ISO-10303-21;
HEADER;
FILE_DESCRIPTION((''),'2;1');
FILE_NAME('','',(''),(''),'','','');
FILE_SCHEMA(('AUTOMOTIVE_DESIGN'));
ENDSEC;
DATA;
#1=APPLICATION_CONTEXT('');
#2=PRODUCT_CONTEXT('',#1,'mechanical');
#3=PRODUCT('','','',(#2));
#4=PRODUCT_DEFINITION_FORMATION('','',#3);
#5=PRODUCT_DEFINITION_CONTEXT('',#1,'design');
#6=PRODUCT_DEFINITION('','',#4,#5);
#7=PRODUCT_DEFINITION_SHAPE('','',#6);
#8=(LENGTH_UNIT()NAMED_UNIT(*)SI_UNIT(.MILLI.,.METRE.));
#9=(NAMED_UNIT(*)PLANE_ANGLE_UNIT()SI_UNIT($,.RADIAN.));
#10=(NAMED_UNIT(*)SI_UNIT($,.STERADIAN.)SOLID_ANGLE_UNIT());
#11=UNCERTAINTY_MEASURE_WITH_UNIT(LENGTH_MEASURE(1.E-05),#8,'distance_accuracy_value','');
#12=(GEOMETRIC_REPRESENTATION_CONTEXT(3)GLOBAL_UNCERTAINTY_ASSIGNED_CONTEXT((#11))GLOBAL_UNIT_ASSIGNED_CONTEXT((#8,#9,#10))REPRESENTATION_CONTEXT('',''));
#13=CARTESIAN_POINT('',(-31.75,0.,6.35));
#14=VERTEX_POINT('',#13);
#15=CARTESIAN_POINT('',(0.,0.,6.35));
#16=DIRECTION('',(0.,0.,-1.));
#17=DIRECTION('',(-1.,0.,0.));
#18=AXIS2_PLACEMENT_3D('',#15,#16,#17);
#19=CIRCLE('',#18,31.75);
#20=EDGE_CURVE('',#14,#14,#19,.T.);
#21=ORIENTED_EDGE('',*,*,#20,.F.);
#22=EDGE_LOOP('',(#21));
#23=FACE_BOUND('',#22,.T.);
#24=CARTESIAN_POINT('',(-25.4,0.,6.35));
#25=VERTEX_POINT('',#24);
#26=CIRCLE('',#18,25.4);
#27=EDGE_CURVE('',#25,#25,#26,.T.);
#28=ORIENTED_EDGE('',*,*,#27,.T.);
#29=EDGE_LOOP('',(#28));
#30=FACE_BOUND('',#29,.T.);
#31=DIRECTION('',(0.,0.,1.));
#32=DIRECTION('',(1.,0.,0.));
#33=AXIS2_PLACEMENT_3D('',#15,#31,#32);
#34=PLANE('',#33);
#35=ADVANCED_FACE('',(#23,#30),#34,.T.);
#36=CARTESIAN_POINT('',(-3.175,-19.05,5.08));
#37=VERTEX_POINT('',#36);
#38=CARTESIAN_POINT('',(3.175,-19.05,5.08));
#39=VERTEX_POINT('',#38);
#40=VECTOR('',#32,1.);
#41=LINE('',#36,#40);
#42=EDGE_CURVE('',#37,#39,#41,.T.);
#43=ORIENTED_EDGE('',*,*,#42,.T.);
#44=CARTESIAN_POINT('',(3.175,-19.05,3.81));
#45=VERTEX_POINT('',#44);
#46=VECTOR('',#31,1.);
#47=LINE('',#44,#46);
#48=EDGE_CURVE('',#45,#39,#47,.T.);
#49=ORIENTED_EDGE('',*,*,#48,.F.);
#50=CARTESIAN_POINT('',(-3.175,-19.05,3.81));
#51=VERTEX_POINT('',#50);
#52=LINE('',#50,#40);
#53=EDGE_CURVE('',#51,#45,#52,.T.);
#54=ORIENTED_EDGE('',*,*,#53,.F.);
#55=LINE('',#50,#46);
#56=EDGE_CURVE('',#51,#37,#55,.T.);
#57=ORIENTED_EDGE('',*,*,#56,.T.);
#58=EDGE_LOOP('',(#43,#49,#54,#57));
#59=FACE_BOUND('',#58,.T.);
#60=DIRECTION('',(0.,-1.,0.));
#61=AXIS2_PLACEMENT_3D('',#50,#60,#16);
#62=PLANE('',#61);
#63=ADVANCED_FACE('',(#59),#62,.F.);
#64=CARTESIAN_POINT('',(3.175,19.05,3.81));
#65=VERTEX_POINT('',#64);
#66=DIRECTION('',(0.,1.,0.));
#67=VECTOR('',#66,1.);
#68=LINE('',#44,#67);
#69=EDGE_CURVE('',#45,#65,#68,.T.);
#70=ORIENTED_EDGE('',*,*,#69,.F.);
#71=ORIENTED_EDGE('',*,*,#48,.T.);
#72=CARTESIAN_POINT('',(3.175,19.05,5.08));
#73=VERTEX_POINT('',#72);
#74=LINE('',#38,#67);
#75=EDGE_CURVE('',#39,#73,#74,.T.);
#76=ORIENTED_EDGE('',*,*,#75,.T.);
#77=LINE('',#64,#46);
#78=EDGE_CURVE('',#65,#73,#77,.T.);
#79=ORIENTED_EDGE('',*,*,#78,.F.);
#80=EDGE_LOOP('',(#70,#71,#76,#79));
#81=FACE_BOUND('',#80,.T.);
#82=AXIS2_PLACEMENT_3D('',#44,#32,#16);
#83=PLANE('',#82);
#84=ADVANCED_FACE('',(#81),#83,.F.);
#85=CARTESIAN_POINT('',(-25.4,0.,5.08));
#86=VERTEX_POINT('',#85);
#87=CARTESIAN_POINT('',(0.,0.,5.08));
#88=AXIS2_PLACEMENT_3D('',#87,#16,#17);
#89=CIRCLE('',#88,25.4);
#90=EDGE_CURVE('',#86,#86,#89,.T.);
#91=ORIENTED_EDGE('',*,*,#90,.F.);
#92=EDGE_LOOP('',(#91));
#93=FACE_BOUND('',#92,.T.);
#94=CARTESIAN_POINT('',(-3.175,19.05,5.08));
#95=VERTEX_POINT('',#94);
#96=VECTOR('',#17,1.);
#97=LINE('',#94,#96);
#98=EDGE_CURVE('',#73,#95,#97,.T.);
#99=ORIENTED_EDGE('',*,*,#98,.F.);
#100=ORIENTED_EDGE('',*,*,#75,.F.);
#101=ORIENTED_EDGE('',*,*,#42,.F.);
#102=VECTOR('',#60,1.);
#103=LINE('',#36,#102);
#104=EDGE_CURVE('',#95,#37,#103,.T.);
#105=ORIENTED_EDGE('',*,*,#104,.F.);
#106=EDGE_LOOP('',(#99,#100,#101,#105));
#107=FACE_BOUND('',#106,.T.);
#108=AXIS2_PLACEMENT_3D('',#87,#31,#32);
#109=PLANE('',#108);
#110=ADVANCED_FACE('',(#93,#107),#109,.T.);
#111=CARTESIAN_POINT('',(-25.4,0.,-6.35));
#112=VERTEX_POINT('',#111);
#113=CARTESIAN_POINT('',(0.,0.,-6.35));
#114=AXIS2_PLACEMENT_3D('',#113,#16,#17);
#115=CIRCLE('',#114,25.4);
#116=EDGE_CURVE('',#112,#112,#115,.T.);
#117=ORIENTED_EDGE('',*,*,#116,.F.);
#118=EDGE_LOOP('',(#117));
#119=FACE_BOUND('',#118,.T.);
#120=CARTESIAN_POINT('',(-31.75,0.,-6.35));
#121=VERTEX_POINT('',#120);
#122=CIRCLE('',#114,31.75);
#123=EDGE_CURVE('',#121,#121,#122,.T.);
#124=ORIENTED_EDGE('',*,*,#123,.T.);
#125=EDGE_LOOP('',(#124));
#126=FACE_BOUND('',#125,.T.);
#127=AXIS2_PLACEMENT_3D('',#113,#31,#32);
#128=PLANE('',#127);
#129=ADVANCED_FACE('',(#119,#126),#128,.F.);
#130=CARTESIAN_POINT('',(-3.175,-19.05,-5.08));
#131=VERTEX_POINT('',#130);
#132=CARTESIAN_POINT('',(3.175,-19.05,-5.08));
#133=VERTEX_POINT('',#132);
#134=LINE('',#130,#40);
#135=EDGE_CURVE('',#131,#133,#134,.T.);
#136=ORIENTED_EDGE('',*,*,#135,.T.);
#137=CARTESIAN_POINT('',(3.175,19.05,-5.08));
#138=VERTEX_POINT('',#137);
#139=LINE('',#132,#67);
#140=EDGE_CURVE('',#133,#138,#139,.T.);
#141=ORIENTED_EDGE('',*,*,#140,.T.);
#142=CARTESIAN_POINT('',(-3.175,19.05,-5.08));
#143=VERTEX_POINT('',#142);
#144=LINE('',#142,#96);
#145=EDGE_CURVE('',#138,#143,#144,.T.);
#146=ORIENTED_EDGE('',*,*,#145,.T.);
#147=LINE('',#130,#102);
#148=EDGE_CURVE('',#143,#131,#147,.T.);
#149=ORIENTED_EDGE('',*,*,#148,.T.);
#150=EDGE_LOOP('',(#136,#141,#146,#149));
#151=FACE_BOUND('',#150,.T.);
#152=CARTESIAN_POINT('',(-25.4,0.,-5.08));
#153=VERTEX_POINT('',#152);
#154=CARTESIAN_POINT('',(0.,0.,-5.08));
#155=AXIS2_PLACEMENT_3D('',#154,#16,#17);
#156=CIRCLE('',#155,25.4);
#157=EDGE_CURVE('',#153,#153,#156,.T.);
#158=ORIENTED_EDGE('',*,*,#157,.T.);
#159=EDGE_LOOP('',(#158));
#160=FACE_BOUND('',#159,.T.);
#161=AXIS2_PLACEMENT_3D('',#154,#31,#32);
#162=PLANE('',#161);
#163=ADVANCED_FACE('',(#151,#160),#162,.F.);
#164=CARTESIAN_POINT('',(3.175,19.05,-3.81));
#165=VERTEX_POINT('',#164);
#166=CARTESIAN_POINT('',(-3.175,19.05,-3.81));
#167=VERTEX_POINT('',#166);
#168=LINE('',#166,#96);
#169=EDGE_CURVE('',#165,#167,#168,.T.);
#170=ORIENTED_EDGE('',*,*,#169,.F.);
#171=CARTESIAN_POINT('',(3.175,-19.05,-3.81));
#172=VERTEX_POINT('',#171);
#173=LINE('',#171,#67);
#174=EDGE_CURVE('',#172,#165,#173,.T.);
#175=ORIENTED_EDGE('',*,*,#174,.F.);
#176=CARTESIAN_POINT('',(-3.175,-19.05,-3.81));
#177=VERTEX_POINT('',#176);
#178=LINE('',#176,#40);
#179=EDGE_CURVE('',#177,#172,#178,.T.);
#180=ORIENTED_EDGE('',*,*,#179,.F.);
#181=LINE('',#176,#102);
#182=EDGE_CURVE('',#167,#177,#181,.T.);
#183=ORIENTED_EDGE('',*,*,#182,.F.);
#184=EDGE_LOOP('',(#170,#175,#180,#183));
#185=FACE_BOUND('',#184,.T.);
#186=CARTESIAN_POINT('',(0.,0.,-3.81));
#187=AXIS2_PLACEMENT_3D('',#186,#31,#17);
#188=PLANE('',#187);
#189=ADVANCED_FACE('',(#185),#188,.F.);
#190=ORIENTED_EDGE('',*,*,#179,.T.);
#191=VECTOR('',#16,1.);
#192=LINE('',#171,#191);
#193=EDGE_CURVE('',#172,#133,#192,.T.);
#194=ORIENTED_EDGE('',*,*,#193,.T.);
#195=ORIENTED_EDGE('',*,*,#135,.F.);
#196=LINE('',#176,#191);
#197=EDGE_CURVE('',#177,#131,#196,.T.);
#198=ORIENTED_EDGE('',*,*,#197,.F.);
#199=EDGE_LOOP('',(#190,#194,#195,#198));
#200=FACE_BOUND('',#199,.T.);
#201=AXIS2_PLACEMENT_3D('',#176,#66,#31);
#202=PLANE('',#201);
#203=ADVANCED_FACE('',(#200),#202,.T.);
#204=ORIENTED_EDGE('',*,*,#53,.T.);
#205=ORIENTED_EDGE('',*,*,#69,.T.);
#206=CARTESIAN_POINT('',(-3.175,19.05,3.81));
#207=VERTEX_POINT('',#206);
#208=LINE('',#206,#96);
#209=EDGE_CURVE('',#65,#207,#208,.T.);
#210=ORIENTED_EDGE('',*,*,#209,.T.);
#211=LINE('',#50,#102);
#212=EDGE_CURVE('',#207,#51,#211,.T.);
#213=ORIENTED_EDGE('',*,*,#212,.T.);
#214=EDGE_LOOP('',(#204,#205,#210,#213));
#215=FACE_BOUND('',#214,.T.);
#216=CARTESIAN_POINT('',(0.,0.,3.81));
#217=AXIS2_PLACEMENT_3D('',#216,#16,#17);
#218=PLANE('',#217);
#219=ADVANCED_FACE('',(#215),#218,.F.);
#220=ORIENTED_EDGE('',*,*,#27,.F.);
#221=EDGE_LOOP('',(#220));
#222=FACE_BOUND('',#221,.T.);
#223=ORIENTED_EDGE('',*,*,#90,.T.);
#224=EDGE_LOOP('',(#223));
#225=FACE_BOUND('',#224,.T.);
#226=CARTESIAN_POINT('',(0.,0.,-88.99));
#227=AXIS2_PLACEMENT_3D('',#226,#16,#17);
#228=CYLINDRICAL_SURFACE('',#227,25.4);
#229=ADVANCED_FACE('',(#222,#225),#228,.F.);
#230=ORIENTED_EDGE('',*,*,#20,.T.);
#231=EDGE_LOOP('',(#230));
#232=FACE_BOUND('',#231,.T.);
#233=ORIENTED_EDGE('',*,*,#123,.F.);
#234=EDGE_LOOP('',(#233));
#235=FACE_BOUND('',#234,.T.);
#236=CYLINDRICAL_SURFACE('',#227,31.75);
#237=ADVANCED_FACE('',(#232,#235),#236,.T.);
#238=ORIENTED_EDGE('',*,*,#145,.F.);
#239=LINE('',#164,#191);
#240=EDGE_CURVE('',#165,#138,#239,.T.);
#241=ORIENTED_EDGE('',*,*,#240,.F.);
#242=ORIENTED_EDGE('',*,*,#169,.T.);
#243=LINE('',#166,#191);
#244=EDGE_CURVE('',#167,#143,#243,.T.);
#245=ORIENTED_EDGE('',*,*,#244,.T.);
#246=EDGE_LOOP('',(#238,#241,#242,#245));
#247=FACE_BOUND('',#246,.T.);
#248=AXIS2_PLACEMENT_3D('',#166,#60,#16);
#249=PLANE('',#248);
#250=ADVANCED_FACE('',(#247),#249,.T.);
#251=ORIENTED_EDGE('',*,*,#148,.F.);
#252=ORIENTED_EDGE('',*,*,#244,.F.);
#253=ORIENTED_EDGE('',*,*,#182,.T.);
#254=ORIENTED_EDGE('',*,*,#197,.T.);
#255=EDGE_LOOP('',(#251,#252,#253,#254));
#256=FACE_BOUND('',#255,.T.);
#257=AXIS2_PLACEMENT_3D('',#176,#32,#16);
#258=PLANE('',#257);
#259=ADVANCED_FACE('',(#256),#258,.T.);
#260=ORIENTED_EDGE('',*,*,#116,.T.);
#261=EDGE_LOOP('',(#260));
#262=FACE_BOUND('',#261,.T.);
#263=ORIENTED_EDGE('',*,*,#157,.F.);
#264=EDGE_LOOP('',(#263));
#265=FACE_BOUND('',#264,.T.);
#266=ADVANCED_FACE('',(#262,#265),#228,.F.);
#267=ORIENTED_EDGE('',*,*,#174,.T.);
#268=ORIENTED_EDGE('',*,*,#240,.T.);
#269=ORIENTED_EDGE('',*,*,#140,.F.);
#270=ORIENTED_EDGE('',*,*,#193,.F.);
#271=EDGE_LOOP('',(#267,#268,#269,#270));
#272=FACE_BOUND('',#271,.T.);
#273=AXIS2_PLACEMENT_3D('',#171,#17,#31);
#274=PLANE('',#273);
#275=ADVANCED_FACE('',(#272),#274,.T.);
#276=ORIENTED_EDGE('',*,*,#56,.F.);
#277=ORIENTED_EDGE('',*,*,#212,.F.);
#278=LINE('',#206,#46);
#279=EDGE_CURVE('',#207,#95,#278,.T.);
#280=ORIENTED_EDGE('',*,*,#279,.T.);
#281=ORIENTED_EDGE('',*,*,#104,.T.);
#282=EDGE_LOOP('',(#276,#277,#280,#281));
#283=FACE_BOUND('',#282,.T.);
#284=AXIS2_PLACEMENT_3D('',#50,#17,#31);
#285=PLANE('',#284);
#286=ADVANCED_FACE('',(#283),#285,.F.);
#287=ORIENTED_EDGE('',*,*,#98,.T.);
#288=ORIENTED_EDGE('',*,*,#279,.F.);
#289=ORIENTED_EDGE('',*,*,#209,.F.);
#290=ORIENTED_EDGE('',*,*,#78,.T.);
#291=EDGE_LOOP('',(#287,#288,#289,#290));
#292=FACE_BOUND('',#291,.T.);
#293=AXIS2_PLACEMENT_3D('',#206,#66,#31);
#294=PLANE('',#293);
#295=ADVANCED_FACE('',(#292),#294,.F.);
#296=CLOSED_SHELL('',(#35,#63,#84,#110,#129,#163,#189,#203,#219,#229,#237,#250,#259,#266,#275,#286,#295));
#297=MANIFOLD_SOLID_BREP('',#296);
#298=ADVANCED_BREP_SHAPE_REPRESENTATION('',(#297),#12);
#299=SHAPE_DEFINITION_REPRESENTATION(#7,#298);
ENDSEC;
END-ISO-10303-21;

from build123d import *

# Parameters (mm, degrees)
SKETCH2_W          = 25.4
SKETCH2_H          = 10.16
SKETCH3_W          = 6.35
SKETCH3_H          = 38.1
CUT_EXTRUDE1_DEPTH = 1.27


with BuildPart() as part:
    # Sketch2 → Revolve1 (revolve)
    with BuildSketch(Plane(origin=(0, 0, 0), x_dir=(1, 0, 0), z_dir=(0, 1, 0)), mode=Mode.PRIVATE) as revolve1_sk:
        with Locations((12.7, 0)):
            Rectangle(SKETCH2_W, SKETCH2_H)
        Polygon((25.4, 5.08), (25.4, -5.08), (25.4, -6.35), (31.75, -6.35), (31.75, 6.35), (25.4, 6.35), align=None)
    revolve(revolve1_sk.sketch.rotate(Axis((0, 0, -88.99), (0, 0, 1)), 180), axis=Axis((0, 0, -88.99), (0, 0, 1)))

    # Sketch3 → Cut-Extrude1 (cut)
    with BuildSketch(Plane.XY.offset(5.08)):
        Rectangle(SKETCH3_W, SKETCH3_H)
    cut_extrude1 = extrude(amount=-CUT_EXTRUDE1_DEPTH, mode=Mode.SUBTRACT)

    # Mirror1: Cut-Extrude1 across plane
    add(cut_extrude1.mirror(Plane.XY), mode=Mode.SUBTRACT)


solid = part.part
